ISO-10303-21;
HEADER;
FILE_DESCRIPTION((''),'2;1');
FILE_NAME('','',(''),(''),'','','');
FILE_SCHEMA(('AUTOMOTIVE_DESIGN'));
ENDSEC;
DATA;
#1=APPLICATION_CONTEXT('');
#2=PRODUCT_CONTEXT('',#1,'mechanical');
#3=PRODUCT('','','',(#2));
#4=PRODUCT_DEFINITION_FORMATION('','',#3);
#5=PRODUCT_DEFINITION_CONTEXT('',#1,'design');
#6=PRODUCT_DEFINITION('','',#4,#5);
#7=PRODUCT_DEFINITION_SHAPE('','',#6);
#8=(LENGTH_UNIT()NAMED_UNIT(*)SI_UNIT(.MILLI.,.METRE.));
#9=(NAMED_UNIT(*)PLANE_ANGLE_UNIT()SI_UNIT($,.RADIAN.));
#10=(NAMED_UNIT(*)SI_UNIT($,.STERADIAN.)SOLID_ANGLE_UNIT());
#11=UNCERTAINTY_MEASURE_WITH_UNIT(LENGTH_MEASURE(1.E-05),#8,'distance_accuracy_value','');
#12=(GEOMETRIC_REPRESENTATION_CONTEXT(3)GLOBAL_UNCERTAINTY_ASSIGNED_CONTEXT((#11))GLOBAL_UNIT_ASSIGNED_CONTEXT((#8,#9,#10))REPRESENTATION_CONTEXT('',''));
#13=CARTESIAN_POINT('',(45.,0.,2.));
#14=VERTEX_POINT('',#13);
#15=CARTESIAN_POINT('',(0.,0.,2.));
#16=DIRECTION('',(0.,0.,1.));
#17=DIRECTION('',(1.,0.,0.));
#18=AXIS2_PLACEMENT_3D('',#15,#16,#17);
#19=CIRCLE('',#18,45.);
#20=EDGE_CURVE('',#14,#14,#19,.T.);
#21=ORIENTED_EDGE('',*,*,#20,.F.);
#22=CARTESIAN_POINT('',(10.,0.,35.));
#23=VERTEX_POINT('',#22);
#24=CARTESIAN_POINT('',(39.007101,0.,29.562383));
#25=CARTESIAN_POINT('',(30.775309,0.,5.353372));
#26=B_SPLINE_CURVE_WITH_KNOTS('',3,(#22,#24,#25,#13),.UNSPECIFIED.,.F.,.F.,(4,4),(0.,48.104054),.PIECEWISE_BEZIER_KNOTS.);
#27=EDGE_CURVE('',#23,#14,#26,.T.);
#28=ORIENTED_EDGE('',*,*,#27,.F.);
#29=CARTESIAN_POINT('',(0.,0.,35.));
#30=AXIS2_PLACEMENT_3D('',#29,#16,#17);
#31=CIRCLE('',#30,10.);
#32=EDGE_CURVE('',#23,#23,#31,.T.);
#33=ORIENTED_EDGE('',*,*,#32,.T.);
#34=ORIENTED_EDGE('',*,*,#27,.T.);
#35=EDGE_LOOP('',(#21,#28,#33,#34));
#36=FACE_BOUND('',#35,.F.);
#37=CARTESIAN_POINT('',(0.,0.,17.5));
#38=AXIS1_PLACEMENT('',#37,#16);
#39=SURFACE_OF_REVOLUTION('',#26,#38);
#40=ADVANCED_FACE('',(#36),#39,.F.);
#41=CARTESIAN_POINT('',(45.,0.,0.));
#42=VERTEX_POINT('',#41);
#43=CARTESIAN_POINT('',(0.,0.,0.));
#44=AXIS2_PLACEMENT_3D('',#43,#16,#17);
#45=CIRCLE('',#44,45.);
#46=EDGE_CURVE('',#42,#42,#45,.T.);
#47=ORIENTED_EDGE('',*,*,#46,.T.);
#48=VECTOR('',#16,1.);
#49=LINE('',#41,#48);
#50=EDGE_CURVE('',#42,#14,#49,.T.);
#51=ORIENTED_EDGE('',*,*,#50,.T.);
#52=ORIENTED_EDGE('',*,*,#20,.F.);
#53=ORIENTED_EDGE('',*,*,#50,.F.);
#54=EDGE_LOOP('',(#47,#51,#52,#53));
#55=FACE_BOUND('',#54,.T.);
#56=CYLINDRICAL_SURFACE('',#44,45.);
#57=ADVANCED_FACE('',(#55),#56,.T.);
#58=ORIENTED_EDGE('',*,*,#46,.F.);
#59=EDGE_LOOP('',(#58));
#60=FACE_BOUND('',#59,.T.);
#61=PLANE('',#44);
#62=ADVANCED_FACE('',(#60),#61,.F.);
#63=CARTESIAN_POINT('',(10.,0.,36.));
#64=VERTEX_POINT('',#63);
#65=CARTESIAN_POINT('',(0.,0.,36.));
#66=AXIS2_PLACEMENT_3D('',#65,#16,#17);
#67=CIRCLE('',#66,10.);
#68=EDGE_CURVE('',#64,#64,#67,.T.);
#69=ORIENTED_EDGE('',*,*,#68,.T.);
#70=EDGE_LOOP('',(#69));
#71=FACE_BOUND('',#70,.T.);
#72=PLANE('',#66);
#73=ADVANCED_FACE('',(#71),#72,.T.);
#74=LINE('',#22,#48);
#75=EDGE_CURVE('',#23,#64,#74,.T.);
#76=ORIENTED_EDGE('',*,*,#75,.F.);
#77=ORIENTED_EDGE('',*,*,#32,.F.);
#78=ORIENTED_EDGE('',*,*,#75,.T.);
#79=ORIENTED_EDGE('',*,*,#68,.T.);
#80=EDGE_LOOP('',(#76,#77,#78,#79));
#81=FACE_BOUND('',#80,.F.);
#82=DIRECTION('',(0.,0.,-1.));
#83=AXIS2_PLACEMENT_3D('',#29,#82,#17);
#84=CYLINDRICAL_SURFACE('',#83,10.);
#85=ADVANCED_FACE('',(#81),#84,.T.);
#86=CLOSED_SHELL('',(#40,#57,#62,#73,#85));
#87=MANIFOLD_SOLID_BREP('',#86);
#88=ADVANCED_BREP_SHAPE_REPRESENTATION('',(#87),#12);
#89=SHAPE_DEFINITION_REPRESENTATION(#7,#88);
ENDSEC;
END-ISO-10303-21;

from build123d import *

# Parameters (mm, degrees)
F1_FACE_R = 10
F2_DEPTH  = 1


with BuildPart() as f1:
    # F0 (on Front) → F1 (revolve)
    with BuildSketch(Plane.XZ):
        with BuildLine():
            Line((0, 35), (0, 0))
            Line((0, 0), (45, 0))
            Line((45, 0), (45, 2))
            add(Edge.make_bspline(
                [(10, 35), (39.007101, 29.562383), (30.775309, 5.353372), (45, 2)],
                knots=[0, 0, 0, 0, 48.104054, 48.104054, 48.104054, 48.104054], degree=3))
            Line((10, 35), (0, 35))
        make_face()
    revolve(axis=Axis((0, 0, 17.5), (0, 0, 1)))

    # F1_face (on face) → F2 (join)
    with BuildSketch(Plane.XY.offset(35)):
        Circle(F1_FACE_R)
    extrude(amount=F2_DEPTH)


solid = f1.part
